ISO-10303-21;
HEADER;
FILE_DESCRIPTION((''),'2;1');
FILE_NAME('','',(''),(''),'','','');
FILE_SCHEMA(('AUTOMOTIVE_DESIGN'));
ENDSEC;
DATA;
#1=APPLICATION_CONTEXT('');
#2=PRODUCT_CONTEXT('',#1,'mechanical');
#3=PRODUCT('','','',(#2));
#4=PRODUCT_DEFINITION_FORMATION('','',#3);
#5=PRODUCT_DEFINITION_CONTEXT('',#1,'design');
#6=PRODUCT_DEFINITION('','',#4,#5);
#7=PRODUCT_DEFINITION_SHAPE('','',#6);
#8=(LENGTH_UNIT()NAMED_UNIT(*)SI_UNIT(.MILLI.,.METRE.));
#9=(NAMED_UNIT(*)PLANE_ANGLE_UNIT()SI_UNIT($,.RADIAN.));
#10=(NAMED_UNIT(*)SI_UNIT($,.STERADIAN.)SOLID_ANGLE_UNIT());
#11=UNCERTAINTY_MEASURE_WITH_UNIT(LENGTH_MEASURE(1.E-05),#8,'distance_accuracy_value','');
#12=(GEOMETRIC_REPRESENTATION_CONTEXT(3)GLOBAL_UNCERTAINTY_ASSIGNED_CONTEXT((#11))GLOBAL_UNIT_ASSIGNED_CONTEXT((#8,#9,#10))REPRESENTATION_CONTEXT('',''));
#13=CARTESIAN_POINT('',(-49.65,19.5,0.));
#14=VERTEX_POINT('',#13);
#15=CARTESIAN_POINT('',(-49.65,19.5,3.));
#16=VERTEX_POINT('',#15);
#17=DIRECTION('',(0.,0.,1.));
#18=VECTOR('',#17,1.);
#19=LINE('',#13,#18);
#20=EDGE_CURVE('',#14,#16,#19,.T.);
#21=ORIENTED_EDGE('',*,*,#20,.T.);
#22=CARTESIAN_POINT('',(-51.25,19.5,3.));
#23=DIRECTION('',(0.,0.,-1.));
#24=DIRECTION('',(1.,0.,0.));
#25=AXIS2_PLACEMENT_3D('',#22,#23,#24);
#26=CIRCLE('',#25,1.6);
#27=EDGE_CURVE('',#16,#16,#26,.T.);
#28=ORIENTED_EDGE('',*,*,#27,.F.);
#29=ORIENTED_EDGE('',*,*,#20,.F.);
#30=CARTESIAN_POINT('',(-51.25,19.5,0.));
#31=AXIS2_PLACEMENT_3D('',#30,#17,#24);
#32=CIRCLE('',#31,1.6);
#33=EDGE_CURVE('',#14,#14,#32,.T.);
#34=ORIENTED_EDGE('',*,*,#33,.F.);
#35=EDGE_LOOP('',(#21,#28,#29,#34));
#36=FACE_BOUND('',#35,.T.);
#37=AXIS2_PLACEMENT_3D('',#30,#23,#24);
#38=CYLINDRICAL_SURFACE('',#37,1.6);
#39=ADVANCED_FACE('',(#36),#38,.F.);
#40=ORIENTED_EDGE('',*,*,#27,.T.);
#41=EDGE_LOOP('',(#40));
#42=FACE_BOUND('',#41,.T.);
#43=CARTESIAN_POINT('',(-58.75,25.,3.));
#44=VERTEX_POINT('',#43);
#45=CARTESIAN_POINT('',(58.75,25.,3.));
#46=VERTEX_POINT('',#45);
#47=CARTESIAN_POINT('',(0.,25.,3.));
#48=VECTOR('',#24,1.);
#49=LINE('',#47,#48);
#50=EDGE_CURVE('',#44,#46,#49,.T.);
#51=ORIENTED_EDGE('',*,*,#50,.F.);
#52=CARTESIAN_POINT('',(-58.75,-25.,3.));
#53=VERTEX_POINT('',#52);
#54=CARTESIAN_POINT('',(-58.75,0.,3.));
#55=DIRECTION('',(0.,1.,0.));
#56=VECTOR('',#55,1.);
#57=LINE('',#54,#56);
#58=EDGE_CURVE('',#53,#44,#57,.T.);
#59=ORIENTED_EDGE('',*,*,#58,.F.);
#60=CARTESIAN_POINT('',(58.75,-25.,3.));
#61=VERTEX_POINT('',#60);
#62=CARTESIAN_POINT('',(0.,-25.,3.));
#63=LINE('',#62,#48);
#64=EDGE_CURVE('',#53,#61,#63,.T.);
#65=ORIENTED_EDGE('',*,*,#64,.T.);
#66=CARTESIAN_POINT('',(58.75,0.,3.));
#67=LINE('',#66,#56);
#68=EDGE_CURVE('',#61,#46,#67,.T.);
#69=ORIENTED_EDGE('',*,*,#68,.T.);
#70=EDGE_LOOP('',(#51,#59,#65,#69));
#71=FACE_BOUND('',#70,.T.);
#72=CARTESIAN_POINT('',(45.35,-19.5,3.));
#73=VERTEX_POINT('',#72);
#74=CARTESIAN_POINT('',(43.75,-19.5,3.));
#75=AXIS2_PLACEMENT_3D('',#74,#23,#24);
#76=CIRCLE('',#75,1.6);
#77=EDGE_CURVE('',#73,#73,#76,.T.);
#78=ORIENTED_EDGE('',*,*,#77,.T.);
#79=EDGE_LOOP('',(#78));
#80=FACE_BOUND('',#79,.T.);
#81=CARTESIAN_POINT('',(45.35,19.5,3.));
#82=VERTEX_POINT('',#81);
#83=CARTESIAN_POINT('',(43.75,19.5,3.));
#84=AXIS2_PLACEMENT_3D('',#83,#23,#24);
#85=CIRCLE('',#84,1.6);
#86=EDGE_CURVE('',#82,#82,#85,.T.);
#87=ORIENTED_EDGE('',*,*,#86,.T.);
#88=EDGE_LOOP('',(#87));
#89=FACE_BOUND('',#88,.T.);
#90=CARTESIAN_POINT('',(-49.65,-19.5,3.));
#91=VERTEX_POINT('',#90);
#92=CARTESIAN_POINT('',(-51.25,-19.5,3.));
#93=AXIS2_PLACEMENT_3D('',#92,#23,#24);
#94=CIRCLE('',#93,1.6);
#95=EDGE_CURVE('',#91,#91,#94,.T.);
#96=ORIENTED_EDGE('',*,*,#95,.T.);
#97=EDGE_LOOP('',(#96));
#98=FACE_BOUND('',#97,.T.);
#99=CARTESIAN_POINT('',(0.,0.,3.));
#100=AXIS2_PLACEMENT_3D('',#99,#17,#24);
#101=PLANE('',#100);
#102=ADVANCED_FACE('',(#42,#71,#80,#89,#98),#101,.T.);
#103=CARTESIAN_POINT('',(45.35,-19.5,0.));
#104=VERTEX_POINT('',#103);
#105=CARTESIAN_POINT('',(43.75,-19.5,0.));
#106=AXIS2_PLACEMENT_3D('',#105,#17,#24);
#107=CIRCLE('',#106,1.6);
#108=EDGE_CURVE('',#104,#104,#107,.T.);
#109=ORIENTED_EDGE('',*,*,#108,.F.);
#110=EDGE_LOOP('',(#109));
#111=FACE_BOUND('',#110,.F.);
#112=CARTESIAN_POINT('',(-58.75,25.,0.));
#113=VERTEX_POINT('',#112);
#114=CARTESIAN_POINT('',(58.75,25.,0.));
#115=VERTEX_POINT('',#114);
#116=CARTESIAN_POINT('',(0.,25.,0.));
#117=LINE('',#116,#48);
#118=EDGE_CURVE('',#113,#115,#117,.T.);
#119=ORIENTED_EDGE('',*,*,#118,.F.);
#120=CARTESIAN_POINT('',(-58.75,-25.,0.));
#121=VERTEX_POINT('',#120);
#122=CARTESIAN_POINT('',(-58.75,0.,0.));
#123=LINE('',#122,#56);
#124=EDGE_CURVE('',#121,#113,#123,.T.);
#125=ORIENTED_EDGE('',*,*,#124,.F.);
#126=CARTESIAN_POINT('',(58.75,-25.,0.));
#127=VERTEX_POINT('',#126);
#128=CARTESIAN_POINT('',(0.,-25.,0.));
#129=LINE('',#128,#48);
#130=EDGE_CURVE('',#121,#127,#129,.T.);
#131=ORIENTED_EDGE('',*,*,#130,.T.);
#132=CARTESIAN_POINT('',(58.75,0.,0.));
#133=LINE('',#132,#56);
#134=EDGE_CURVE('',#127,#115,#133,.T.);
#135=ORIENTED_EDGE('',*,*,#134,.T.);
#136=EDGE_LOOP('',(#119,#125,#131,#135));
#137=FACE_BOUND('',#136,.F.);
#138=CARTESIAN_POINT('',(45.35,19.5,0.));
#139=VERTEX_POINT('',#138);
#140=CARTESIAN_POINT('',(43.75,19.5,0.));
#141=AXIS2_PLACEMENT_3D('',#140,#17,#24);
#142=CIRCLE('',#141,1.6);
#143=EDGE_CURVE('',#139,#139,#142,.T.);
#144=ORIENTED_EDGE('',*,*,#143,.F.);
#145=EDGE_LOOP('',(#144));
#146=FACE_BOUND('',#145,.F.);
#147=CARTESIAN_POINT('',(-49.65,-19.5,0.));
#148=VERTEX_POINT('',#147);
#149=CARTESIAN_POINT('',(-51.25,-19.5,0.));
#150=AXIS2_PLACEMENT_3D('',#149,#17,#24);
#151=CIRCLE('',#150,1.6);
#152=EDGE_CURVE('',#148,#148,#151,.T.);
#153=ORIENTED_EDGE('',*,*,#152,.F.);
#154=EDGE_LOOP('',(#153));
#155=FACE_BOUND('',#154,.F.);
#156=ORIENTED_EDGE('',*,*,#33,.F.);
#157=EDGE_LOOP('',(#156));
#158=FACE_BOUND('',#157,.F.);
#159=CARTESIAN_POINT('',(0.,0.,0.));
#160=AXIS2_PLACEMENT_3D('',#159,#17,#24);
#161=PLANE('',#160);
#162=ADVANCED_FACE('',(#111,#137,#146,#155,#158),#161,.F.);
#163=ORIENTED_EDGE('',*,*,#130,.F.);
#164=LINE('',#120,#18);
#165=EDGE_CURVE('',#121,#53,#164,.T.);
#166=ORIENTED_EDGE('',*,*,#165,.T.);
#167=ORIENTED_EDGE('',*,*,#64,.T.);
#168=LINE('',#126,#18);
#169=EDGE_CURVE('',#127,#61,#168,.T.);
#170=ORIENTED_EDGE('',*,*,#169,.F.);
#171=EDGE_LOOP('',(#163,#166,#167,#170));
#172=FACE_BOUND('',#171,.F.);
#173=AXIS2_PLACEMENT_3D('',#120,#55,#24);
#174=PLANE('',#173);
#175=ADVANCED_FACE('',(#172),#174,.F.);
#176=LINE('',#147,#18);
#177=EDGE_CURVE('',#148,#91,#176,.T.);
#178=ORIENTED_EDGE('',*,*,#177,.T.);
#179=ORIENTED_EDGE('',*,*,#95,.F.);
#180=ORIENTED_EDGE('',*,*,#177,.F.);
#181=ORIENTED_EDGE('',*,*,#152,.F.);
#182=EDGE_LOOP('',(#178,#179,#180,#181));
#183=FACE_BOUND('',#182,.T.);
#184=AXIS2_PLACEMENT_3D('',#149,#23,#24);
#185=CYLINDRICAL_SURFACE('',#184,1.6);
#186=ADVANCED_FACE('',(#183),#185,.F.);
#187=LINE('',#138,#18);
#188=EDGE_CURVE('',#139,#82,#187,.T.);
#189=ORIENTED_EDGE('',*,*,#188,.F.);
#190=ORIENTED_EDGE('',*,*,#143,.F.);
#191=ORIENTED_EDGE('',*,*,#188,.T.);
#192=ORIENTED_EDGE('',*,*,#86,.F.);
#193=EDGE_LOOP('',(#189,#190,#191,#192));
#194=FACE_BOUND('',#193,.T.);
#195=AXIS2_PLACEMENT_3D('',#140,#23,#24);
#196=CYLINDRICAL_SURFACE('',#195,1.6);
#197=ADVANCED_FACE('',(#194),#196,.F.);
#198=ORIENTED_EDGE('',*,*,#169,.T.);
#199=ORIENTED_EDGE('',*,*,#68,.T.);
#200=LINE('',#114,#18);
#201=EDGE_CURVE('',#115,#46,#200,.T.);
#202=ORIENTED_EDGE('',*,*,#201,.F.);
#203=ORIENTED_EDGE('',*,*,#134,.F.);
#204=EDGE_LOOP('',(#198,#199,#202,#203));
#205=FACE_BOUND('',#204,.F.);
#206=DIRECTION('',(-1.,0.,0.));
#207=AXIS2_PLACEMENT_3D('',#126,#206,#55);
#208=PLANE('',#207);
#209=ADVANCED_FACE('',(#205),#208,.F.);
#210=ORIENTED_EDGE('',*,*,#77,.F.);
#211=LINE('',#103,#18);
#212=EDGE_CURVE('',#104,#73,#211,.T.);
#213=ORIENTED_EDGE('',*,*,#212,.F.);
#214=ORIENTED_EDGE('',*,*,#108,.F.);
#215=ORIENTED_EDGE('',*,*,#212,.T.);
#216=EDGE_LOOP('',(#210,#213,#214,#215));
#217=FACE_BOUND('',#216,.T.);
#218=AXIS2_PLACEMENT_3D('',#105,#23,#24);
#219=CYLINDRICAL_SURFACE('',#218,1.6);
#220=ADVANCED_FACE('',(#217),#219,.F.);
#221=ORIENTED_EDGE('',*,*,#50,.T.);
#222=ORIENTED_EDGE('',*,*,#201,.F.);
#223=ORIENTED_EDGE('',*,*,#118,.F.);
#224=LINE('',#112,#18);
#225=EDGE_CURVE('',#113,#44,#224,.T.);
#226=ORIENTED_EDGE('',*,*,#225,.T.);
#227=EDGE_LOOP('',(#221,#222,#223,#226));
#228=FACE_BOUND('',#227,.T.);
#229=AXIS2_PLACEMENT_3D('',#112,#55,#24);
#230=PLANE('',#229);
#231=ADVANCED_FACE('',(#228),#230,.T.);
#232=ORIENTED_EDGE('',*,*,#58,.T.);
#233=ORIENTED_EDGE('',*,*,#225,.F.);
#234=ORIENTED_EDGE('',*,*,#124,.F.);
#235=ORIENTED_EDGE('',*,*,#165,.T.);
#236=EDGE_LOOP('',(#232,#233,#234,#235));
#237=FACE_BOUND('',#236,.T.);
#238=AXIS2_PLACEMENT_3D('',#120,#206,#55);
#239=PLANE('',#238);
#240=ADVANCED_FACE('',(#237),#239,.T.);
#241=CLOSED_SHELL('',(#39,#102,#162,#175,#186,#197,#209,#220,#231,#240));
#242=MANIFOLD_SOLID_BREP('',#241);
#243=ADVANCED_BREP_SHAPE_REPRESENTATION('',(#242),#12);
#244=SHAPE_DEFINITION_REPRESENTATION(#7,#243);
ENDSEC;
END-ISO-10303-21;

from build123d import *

# Parameters (mm, degrees)
SKETCH_W     = 117.5
SKETCH_H     = 50
PAD_DEPTH    = 3
SKETCH001_R  = 1.6
POCKET_DEPTH = 3.001


with BuildPart() as part:
    # Sketch → Pad (new body)
    with BuildSketch(Plane.XY):
        Rectangle(SKETCH_W, SKETCH_H)
    extrude(amount=PAD_DEPTH)

    # Sketch001 → Pocket (cut, through all)
    with BuildSketch(Plane.XY):
        with Locations((-51.25, 19.5)):
            Circle(SKETCH001_R)
        with Locations((43.75, 19.5)):
            Circle(SKETCH001_R)
        with Locations((-51.25, -19.5)):
            Circle(SKETCH001_R)
        with Locations((43.75, -19.5)):
            Circle(SKETCH001_R)
    extrude(amount=POCKET_DEPTH, mode=Mode.SUBTRACT)


solid = part.part
